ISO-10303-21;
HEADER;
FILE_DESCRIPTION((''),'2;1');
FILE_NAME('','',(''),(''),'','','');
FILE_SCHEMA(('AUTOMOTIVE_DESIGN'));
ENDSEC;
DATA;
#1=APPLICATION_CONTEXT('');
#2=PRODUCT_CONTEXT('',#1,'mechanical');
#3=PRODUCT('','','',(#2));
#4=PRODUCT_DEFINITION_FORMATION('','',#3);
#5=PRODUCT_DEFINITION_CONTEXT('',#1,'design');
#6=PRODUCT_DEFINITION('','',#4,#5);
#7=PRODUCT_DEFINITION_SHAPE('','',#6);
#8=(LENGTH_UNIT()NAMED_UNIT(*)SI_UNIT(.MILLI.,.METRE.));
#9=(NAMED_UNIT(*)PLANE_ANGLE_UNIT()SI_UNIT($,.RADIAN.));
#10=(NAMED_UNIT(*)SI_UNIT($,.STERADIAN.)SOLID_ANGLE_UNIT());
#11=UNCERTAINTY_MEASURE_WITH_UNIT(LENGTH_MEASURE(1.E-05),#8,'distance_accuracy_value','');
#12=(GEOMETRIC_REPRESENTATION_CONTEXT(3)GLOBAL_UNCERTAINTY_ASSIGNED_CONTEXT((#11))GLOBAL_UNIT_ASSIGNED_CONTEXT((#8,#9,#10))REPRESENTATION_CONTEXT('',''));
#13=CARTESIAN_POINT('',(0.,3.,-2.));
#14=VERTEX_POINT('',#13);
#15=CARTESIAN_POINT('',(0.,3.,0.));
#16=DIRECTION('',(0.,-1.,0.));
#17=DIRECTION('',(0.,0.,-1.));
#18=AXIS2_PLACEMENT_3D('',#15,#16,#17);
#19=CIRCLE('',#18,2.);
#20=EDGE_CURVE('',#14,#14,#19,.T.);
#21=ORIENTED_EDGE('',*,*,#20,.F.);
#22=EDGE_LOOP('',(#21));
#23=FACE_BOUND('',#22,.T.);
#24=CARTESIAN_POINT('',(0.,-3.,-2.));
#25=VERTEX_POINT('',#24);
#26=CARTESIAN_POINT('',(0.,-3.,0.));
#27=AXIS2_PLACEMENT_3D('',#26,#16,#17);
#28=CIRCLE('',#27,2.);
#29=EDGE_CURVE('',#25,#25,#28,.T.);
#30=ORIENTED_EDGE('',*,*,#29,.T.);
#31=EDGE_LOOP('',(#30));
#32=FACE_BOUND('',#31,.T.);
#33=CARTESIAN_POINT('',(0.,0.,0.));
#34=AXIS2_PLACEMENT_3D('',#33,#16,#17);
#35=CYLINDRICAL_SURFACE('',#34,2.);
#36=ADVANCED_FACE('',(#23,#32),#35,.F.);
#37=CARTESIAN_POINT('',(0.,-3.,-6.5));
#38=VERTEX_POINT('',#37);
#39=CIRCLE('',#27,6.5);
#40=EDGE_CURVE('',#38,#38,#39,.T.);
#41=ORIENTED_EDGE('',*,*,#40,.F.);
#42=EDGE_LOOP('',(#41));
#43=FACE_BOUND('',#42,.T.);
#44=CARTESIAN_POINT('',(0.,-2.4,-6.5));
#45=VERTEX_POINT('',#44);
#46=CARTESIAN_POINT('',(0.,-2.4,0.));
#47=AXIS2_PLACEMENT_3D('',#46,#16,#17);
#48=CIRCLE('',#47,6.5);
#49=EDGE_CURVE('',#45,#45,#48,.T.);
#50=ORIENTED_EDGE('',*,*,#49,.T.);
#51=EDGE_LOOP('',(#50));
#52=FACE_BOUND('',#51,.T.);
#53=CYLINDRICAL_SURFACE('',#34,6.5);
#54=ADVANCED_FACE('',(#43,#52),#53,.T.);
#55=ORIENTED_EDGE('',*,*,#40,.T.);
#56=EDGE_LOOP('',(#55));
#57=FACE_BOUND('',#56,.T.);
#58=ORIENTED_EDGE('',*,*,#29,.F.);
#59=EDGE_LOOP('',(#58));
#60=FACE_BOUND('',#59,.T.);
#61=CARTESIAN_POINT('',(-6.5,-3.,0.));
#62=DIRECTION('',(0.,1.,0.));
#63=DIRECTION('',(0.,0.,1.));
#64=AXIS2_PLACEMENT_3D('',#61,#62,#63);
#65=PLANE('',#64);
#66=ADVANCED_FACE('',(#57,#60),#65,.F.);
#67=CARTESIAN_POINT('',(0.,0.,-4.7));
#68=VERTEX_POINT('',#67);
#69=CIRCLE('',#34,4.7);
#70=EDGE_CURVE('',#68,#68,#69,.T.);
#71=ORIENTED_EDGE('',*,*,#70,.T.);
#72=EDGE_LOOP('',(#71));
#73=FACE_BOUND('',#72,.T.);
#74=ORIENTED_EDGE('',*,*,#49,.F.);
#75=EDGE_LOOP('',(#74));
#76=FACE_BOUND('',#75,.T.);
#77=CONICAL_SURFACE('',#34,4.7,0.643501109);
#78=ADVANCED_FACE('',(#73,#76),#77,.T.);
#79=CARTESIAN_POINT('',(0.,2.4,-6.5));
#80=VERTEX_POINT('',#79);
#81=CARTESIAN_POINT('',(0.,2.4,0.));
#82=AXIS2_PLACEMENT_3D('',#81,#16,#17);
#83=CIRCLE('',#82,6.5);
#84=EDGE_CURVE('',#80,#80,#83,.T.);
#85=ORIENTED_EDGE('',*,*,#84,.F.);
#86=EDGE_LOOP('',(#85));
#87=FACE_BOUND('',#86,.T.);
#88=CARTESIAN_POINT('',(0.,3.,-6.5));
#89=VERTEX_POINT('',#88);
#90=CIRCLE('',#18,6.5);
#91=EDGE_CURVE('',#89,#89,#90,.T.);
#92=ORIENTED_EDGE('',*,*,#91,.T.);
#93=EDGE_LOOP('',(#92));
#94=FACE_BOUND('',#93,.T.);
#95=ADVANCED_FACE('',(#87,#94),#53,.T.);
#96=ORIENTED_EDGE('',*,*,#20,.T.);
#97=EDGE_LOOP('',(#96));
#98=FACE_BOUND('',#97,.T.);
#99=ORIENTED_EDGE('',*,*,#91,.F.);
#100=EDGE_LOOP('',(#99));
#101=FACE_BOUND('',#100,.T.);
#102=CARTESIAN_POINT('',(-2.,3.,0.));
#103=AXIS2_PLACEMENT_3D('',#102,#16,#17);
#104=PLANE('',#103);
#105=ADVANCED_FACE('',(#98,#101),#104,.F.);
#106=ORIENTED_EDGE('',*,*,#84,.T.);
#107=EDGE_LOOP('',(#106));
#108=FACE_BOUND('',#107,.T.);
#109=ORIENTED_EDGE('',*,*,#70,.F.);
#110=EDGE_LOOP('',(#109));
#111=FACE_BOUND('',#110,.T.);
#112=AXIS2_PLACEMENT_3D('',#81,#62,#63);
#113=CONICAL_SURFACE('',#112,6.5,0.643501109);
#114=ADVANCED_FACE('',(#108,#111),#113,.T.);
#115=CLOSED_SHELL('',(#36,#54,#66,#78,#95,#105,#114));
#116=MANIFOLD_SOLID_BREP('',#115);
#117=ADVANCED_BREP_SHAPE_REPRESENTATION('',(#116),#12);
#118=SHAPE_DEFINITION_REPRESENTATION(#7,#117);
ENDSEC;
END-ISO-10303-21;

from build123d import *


with BuildPart() as part:
    # Sketch1 → Revolve1 (revolve)
    with BuildSketch(Plane.XY):
        Polygon((-6.5, 3), (-6.5, 2.4), (-4.7, 0), (-6.5, -2.4), (-6.5, -3), (-2, -3), (-2, 3), align=None)
    revolve(axis=Axis((0, 0, 0), (0, 1, 0)))


solid = part.part
